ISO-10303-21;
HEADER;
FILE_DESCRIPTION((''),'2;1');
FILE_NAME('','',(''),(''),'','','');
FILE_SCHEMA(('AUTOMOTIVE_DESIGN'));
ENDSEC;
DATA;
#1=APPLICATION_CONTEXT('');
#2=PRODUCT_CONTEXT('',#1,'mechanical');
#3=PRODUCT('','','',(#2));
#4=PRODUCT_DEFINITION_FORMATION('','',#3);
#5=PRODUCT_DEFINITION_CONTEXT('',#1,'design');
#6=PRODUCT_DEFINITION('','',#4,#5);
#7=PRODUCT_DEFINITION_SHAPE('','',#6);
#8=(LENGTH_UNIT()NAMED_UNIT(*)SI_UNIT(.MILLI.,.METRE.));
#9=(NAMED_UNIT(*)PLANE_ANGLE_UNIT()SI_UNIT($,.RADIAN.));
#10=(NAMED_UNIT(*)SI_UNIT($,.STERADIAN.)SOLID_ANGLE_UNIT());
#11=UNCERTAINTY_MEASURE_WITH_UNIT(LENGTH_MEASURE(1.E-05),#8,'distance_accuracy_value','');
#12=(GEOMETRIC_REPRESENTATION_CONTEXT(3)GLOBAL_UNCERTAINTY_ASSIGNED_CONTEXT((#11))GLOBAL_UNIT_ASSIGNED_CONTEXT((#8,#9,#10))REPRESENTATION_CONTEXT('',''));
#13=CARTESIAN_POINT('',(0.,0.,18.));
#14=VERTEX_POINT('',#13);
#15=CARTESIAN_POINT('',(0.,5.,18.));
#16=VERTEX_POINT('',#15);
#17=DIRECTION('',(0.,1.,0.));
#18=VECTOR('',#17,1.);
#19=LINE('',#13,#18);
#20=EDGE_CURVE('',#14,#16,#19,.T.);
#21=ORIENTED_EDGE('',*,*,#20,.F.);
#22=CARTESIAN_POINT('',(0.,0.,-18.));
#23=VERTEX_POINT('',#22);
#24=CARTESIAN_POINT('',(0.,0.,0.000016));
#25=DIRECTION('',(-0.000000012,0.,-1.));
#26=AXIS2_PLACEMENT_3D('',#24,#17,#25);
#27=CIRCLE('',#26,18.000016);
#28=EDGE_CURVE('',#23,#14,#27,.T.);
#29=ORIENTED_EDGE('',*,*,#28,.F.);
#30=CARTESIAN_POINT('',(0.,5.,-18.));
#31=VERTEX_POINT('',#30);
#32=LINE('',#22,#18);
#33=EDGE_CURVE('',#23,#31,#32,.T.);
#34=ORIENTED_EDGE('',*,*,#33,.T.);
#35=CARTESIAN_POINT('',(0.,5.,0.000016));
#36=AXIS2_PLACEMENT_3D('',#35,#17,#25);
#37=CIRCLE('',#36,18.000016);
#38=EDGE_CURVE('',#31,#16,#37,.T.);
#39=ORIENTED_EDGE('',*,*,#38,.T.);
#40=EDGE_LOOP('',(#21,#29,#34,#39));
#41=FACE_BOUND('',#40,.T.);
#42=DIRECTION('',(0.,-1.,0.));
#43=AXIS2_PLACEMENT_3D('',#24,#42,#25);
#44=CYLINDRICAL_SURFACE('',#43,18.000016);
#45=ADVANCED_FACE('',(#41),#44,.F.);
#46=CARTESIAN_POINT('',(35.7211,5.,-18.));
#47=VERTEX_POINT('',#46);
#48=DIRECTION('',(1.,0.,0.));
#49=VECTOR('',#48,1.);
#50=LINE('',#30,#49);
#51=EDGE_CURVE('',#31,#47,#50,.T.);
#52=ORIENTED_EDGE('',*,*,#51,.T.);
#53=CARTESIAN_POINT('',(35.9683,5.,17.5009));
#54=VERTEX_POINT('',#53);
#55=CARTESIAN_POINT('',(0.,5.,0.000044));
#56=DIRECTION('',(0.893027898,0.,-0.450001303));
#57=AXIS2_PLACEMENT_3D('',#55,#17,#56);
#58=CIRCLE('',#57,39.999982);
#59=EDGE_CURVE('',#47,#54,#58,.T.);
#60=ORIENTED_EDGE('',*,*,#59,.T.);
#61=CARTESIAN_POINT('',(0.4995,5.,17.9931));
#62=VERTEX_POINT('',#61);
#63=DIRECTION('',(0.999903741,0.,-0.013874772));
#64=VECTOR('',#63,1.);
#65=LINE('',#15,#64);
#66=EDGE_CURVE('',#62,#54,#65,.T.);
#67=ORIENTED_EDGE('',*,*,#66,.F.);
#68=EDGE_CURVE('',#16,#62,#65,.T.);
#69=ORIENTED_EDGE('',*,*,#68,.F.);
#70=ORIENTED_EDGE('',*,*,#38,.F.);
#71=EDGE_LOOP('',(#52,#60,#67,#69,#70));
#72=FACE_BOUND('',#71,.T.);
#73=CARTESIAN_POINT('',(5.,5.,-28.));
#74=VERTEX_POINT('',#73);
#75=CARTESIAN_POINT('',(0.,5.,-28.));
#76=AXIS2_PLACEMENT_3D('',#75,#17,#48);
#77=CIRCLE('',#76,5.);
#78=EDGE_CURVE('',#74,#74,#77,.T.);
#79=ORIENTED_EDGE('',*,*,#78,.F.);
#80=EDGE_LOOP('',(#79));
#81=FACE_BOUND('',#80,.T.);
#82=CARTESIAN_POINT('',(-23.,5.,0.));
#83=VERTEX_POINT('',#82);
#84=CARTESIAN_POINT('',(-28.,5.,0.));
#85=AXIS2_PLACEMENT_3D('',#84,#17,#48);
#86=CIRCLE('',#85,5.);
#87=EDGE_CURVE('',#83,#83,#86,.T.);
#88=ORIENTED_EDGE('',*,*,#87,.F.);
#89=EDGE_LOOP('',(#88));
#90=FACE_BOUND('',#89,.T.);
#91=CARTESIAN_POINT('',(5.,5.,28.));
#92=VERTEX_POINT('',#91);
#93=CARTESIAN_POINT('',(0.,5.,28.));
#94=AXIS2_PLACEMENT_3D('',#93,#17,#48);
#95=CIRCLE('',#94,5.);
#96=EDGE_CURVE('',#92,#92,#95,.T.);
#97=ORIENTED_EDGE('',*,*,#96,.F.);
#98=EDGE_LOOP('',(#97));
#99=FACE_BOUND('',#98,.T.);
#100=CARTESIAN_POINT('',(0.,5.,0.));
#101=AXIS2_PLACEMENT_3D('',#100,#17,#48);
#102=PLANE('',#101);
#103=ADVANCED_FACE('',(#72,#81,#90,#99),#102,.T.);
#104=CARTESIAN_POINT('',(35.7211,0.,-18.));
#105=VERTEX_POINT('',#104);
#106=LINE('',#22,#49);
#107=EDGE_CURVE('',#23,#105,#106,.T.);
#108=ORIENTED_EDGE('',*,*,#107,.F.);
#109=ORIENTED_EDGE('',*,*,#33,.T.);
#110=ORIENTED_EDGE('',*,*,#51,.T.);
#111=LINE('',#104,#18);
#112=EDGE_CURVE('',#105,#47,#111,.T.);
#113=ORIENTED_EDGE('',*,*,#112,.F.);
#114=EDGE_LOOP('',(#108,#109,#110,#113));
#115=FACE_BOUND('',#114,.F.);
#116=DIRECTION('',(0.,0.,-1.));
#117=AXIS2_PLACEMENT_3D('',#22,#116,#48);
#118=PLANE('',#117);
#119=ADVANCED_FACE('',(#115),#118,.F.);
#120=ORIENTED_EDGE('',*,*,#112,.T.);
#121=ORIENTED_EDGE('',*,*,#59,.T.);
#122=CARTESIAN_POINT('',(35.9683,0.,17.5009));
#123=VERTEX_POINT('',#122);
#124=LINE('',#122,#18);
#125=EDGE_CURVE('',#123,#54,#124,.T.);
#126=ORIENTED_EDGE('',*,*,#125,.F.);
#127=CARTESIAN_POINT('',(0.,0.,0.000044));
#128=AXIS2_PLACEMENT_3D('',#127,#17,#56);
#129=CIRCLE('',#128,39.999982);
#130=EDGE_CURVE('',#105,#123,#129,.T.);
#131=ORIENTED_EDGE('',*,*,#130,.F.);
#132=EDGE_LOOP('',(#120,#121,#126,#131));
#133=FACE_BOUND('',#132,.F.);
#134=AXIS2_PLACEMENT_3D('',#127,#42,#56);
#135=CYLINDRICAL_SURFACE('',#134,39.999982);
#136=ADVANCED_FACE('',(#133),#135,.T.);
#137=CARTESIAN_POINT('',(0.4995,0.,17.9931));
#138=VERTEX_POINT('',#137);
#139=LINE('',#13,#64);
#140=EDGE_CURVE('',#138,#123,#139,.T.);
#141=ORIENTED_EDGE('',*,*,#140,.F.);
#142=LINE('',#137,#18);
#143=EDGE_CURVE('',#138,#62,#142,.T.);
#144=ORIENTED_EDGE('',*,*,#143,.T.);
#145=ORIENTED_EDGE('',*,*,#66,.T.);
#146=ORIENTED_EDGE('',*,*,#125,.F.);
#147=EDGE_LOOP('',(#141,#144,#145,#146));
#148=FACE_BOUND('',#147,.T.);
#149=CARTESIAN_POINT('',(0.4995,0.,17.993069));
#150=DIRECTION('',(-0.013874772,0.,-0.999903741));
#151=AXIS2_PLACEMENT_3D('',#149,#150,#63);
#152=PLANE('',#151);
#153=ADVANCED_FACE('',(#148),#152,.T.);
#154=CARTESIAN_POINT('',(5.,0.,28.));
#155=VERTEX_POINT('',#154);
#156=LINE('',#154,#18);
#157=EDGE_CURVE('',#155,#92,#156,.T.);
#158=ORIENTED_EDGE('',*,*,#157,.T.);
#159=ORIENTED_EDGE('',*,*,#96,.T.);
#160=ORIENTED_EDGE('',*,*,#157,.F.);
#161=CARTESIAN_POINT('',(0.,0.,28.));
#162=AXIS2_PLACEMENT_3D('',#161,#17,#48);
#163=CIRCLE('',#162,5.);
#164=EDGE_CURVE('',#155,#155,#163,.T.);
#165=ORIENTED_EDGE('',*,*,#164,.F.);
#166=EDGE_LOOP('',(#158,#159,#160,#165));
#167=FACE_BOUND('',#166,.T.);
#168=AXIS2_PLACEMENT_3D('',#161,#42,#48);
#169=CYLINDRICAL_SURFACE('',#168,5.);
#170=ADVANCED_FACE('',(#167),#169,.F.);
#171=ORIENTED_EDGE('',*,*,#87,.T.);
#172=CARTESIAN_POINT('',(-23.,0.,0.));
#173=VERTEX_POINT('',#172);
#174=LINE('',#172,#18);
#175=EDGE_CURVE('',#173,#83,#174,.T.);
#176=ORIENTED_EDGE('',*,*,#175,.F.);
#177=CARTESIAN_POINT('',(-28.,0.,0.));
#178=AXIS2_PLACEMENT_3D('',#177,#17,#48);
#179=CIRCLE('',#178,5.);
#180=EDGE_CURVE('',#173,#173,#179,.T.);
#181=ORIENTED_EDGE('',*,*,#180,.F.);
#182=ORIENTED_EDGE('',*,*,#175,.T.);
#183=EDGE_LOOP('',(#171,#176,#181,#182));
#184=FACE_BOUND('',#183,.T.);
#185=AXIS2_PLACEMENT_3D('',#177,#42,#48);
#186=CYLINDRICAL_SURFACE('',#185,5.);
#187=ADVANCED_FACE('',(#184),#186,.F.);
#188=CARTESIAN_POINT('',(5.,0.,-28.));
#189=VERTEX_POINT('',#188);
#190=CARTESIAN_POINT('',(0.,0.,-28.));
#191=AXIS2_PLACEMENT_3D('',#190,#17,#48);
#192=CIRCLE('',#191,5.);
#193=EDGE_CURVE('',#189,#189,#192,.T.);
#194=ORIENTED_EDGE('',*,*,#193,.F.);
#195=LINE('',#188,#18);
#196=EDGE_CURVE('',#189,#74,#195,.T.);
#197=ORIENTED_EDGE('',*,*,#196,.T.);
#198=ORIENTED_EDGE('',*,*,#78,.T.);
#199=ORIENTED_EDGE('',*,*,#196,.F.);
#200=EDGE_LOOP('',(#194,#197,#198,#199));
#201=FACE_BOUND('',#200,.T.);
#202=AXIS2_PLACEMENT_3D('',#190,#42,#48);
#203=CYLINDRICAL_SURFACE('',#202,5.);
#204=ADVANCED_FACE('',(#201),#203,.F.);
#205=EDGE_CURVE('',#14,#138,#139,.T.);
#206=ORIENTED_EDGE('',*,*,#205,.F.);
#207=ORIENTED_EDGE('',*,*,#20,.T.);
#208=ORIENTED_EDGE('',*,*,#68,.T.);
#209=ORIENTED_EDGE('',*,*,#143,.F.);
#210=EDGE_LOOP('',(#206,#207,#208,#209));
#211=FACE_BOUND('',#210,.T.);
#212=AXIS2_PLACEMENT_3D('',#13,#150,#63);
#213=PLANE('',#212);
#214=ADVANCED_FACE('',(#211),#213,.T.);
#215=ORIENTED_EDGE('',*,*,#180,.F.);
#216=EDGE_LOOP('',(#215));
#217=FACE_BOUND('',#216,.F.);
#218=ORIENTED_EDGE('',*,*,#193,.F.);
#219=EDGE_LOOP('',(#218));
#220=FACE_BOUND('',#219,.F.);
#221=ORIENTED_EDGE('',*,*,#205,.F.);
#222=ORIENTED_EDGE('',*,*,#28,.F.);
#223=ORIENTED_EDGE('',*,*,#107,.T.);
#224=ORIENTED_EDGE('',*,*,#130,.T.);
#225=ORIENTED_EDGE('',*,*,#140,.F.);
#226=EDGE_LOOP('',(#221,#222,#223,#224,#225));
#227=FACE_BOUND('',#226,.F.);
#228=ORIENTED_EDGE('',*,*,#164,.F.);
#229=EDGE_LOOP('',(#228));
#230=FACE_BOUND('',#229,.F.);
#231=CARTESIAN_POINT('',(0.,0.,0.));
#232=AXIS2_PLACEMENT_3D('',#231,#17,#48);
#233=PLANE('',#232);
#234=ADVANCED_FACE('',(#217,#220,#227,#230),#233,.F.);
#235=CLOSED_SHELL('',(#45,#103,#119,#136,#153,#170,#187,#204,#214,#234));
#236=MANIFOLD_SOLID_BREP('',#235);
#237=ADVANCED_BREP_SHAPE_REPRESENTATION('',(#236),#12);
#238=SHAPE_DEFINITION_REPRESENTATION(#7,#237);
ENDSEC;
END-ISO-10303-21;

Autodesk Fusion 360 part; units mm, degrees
sketch "Sketch1" plane through (0, 0, 0) normal (0, 1, 0) x (1, 0, 0)
  line L0 (0, 18) -> (35.7211, 18)
  line L1 (0, -18) -> (35.9683, -17.5009)
  arc A0 (35.7211, 18) -> (35.9683, -17.5009) centre (0, 0) ccw
  arc A1 (0, 18) -> (0.4995, -17.9931) centre (0, 0) ccw
  circle A2 centre (0, 28) radius 5
  circle A3 centre (0, -28) radius 5
  circle A4 centre (-28, 0) radius 5
  dimension "d1" = 80
  dimension "d2" = 36
  dimension "d4" = 28
  dimension "d5" = 28
  dimension "d6" = 28
  dimension "d7" = 10
  dimension "d8" = 10
  dimension "d9" = 10
extrude "Extrude1" add sketch "Sketch1" along normal blind 5
